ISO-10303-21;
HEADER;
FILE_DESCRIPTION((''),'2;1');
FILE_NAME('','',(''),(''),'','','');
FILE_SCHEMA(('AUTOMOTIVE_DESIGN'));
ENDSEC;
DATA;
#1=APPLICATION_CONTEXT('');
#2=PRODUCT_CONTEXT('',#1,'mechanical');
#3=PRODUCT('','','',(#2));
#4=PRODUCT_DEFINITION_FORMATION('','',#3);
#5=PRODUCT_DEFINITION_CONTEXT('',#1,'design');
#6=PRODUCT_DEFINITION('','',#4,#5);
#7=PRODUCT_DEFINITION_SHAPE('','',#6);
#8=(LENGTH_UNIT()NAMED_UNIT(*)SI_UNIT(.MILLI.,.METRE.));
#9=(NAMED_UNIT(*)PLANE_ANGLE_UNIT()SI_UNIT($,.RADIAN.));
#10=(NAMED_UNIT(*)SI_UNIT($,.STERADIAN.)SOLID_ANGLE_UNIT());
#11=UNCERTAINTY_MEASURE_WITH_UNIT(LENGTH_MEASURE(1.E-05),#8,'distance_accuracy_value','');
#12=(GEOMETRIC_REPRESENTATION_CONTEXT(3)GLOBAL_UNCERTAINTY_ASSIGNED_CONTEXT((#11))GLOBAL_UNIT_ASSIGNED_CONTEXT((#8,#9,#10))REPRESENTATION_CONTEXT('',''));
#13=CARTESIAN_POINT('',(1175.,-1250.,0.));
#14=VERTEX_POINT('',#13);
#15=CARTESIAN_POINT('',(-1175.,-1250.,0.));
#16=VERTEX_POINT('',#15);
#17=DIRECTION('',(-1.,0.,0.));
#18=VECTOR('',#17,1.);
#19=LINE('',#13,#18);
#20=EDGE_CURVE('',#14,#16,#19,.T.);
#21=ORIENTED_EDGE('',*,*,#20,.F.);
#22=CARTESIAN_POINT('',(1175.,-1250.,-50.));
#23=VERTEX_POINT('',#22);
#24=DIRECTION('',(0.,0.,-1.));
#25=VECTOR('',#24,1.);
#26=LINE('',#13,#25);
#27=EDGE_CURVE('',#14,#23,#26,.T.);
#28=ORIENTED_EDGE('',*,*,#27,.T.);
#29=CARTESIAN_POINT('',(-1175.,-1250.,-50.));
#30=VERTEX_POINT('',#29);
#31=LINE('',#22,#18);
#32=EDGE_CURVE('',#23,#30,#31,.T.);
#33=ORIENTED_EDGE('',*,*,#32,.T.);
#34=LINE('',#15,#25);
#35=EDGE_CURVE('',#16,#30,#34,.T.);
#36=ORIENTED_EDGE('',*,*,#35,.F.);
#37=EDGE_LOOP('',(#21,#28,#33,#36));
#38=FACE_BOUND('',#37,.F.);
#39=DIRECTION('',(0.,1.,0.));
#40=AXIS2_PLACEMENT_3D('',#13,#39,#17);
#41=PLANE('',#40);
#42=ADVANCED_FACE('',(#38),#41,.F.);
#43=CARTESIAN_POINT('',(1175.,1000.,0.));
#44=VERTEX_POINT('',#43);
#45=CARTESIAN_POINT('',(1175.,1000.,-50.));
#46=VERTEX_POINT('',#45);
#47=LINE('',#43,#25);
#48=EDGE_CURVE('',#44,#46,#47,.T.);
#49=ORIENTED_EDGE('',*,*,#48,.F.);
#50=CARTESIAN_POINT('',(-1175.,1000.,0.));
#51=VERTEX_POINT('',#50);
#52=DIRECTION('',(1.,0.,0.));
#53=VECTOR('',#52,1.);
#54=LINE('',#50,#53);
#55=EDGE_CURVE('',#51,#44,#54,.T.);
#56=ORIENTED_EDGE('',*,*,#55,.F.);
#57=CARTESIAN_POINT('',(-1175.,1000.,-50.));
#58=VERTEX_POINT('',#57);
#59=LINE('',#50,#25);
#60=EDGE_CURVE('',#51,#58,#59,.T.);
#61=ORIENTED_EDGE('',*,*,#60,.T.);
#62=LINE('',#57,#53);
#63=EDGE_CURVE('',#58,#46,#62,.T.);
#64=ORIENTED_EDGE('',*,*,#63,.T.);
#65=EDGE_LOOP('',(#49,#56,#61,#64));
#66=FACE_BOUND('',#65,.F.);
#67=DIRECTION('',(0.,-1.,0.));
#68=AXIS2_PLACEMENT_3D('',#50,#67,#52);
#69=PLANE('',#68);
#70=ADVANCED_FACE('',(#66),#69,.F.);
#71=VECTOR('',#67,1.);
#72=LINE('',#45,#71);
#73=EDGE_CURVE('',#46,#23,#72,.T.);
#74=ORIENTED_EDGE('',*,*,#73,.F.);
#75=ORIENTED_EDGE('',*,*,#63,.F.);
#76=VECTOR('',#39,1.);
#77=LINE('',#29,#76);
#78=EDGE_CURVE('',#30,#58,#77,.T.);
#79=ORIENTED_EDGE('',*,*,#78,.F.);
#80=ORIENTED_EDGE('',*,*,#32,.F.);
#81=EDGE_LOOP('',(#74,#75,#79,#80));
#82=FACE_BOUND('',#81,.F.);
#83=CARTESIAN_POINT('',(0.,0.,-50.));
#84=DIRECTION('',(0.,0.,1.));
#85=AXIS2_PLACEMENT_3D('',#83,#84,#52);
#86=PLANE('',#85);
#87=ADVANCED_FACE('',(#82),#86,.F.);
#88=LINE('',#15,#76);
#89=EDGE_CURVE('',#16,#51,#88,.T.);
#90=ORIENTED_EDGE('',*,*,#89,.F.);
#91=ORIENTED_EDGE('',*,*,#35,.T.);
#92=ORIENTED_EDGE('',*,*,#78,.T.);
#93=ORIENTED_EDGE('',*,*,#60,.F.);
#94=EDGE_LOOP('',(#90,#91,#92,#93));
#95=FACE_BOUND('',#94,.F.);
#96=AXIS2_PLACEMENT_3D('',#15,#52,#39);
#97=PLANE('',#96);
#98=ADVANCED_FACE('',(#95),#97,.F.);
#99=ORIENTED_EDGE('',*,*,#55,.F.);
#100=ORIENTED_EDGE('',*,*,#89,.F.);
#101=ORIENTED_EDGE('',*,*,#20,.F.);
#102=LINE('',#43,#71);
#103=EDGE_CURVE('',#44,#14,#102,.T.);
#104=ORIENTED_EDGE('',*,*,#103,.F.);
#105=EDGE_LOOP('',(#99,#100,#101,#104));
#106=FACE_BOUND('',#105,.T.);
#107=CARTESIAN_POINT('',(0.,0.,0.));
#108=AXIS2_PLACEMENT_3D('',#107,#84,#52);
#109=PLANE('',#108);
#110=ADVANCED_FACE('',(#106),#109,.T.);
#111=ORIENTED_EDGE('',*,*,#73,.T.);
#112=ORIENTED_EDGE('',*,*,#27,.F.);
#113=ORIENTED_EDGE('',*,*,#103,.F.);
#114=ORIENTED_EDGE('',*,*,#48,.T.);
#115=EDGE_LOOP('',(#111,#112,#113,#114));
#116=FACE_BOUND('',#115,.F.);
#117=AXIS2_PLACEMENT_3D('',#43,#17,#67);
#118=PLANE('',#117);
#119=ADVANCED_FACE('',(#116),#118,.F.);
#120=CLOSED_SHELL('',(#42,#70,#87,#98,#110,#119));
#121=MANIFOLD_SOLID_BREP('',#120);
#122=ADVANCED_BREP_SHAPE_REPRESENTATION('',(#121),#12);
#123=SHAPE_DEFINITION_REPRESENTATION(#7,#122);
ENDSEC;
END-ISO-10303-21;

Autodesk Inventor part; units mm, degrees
ref_plane "YZ Plane" through (0, 0, 0) normal (1, 0, 0) x (0, 1, 0)
ref_plane "XZ Plane" through (0, 0, 0) normal (0, 1, 0) x (-1, 0, 0)
ref_plane "XY Plane" through (0, 0, 0) normal (0, 0, 1) x (1, 0, 0)
sketch "Sketch1" plane through (0, 0, 0) normal (0, 0, 1) x (1, 0, 0)
  line L0 (-1175, 1000) -> (1175, 1000)
  line L1 (1175, 1000) -> (1175, -1250)
  line L2 (1175, -1250) -> (-1175, -1250)
  line L3 (-1175, -1250) -> (-1175, 1000)
  line L4 (-1175, 1000) -> (1175, -1250) construction
  line L5 (1175, 1000) -> (-1175, -1250) construction
  point P0 (0, 0)
  point P1 (0, -125)
  dimension "d1" = 2350
  dimension "d5" = 1250
  dimension "d6" = 1000
extrude "Extrusion1" add sketch "Sketch1" against normal blind 50
sketch3d "3D Sketch1"
equation "\"d11\" = d10"
equation "\"d15\" = 0.25 * d18"
equation "\"d17\" = d15"
equation "\"d10\" = 600"
equation "\"d18\" = 2250"
properties part number "DF frame sketch v2.0"
